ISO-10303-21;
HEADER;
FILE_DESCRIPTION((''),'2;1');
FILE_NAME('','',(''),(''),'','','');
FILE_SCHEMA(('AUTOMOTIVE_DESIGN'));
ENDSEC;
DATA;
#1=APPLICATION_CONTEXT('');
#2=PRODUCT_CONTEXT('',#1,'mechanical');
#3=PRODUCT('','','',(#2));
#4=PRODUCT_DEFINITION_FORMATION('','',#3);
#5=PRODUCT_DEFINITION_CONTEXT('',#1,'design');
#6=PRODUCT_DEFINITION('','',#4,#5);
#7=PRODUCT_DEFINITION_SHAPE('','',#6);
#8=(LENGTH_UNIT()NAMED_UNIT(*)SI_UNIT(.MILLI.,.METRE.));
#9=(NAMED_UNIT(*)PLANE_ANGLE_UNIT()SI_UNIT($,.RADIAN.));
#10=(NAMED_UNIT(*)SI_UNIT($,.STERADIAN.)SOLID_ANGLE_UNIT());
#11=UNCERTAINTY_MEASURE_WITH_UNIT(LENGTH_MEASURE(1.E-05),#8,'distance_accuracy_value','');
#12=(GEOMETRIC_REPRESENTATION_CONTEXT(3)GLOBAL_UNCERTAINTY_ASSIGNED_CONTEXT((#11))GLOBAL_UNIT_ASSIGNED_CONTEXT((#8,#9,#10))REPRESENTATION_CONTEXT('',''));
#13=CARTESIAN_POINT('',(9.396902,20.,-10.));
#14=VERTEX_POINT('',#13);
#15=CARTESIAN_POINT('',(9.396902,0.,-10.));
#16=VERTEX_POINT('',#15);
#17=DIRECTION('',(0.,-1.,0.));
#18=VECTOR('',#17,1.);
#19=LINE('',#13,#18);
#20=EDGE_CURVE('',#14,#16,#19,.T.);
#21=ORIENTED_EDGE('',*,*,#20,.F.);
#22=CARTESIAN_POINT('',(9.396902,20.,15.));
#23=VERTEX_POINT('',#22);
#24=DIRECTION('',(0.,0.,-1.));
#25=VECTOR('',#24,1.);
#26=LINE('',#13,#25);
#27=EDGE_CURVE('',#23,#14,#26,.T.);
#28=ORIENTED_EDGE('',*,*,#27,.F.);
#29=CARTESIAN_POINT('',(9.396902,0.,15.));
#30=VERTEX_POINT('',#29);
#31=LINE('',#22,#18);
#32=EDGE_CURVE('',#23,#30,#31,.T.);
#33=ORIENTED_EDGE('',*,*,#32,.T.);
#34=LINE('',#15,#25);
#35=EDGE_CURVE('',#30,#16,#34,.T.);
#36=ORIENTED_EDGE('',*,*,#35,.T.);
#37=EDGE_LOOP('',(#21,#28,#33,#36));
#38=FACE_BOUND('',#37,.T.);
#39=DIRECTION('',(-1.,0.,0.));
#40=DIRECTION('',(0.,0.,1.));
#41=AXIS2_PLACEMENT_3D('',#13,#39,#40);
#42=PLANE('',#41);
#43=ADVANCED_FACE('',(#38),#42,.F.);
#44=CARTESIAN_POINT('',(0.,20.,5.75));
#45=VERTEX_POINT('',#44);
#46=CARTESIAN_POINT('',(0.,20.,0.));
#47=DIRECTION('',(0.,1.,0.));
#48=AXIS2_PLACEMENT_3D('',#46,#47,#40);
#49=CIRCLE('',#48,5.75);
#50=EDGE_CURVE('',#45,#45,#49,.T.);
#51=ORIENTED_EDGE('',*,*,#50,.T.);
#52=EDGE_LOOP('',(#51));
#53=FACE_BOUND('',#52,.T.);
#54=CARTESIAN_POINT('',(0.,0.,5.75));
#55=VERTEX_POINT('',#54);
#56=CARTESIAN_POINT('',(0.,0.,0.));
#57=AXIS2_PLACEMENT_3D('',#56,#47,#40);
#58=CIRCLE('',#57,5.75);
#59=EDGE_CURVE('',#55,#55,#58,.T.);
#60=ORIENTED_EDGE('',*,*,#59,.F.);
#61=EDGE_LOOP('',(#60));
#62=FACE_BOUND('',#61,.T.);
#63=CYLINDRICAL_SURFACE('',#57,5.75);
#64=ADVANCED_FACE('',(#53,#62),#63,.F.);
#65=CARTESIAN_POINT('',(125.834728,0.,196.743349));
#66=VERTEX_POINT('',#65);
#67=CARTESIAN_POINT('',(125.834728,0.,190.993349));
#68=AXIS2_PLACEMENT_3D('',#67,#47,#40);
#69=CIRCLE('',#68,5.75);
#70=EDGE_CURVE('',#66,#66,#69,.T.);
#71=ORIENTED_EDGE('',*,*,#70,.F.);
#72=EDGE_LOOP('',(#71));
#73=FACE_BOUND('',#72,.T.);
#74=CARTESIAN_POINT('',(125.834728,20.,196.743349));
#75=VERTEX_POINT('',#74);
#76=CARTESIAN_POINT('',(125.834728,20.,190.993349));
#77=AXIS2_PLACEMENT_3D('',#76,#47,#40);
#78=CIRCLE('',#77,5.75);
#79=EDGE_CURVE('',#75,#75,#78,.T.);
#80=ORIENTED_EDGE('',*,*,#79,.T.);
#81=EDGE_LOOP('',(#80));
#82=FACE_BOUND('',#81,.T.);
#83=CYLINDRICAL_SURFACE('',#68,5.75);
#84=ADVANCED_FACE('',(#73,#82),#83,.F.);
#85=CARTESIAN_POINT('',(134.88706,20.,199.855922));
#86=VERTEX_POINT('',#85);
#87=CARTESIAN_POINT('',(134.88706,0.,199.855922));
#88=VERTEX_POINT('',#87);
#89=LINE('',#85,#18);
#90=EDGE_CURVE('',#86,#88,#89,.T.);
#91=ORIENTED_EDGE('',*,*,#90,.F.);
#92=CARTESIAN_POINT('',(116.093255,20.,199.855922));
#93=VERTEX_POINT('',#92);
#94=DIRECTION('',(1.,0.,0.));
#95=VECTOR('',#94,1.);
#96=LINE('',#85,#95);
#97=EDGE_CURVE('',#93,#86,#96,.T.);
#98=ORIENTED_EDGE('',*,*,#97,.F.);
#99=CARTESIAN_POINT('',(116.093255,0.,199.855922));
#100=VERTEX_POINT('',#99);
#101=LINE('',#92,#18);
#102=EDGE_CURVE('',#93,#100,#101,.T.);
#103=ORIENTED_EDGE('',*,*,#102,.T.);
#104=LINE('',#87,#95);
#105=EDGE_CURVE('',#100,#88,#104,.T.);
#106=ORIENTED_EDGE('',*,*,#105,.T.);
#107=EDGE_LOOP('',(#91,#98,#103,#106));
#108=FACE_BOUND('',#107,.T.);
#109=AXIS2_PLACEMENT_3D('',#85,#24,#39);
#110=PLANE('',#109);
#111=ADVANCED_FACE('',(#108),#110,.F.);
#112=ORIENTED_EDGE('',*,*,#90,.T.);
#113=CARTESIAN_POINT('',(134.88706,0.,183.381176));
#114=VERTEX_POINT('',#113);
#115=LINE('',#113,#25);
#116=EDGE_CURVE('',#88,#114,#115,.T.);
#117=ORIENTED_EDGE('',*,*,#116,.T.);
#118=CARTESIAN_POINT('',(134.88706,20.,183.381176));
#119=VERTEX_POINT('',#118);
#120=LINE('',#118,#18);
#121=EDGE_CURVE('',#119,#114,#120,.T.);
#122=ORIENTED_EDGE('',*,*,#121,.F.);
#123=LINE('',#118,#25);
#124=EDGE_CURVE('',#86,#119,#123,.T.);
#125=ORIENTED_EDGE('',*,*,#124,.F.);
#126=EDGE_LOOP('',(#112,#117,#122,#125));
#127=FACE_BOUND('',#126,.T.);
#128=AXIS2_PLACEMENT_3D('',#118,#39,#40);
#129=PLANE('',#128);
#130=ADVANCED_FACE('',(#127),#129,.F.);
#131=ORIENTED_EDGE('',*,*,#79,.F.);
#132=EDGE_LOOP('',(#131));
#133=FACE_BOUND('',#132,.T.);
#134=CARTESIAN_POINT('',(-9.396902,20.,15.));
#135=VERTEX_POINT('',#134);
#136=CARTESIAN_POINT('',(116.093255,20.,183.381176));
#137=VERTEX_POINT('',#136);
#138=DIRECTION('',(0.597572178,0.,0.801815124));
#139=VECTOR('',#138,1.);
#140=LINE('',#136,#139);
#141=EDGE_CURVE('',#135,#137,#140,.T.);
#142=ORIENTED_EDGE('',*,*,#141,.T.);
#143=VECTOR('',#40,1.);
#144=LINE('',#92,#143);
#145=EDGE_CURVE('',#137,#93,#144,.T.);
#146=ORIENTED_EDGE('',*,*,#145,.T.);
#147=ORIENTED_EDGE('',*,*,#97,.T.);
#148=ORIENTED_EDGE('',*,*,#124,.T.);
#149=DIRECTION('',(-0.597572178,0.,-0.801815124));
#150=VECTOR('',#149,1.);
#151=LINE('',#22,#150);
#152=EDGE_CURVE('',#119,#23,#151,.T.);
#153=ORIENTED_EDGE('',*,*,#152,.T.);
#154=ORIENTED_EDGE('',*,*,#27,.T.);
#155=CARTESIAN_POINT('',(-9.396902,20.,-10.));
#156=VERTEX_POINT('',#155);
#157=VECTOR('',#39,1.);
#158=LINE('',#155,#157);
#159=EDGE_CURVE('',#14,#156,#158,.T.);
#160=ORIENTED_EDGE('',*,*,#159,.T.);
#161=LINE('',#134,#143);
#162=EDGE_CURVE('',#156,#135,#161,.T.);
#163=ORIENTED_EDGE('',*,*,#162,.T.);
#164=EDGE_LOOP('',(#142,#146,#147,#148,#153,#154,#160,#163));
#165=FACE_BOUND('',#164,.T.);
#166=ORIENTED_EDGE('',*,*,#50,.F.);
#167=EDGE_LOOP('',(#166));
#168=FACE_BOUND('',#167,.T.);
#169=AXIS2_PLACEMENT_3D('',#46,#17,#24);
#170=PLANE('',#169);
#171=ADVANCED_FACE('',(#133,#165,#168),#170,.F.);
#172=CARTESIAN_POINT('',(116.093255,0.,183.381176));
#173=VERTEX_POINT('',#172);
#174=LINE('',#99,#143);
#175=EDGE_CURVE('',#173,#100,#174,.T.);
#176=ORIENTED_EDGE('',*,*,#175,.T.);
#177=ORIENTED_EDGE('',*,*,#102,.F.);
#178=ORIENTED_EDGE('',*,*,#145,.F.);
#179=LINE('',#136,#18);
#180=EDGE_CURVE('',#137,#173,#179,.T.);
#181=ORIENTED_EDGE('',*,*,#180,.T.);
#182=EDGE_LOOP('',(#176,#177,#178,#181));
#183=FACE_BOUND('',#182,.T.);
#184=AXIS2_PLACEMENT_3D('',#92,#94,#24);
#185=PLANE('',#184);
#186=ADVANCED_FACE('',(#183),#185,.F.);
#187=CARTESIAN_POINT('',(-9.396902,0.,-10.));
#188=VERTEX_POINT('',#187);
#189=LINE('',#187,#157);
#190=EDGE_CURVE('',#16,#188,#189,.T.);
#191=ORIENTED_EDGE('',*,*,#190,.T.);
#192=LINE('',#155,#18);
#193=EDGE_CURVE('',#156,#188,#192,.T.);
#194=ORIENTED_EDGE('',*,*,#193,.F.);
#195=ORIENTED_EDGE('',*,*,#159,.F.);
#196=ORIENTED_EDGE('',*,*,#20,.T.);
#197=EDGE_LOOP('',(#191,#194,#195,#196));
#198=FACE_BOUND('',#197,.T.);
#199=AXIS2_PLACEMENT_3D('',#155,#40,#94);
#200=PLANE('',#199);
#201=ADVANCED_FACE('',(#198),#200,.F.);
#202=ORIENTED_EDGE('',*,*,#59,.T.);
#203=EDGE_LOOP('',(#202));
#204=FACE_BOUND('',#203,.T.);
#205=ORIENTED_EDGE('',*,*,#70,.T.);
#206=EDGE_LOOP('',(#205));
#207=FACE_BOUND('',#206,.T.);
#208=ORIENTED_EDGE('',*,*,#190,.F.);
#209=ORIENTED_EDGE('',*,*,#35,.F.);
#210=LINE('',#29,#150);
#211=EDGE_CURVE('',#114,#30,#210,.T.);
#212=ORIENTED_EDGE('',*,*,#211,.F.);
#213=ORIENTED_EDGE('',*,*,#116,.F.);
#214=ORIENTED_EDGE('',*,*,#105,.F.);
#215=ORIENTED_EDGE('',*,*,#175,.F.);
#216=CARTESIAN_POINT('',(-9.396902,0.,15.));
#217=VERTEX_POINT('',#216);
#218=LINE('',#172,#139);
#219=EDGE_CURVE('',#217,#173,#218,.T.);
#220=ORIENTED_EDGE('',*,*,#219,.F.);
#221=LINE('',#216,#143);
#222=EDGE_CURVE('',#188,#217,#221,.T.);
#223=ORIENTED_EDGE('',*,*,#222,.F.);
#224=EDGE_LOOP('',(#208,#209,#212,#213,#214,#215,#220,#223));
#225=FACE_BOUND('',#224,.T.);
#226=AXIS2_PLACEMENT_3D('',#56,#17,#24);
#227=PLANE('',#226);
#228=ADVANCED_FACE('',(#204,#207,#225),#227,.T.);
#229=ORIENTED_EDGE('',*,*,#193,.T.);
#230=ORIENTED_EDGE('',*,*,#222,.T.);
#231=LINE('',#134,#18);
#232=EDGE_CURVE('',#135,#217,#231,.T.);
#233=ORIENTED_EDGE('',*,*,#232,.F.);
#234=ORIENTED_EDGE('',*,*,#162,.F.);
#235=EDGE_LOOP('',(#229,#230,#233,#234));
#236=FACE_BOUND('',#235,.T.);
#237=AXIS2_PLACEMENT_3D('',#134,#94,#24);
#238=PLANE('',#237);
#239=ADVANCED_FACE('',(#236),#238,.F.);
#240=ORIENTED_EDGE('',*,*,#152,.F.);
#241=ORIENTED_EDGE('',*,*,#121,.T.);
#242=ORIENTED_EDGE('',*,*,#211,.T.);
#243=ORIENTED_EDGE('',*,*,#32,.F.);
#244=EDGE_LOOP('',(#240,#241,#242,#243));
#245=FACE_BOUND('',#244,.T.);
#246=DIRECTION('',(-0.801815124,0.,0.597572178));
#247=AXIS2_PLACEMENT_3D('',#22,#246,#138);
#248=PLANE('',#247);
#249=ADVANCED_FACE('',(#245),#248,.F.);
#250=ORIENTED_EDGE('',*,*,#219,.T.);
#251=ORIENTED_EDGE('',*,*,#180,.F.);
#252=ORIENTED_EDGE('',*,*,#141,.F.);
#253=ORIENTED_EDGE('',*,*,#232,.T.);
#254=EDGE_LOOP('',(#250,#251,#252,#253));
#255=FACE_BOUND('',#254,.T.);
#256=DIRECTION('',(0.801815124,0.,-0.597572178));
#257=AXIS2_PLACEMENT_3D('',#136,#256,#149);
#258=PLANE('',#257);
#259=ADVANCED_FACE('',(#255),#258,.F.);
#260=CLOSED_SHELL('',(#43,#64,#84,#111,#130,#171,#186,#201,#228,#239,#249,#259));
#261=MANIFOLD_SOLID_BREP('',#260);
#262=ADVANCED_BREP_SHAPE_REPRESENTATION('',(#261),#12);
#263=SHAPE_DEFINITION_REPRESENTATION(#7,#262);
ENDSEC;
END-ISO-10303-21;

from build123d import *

# Parameters (mm, degrees)
BOSS_EXTRUDE2_DEPTH = 20
SKETCH3_R           = 5.75
CUT_EXTRUDE1_DEPTH  = 21


with BuildPart() as part:
    # Sketch2 → Boss-Extrude2 (new body)
    with BuildSketch(Plane(origin=(0, 0, 0), x_dir=(1, 0, 0), z_dir=(0, 1, 0))):
        Polygon((9.396902384, 10), (9.396902384, -15), (134.887059708, -183.381175952), (134.887059708, -199.855922102), (116.09325494, -199.855922102), (116.09325494, -183.381175952), (-9.396902384, -15), (-9.396902384, 10), align=None)
    extrude(amount=BOSS_EXTRUDE2_DEPTH)

    # Sketch3 → Cut-Extrude1 (cut, through all)
    with BuildSketch(Plane(origin=(0, 20, 0), x_dir=(1, 0, 0), z_dir=(0, 1, 0))):
        Circle(SKETCH3_R)
        with Locations((125.834728431, -190.993349415)):
            Circle(SKETCH3_R)
    extrude(amount=-CUT_EXTRUDE1_DEPTH, mode=Mode.SUBTRACT)


solid = part.part
